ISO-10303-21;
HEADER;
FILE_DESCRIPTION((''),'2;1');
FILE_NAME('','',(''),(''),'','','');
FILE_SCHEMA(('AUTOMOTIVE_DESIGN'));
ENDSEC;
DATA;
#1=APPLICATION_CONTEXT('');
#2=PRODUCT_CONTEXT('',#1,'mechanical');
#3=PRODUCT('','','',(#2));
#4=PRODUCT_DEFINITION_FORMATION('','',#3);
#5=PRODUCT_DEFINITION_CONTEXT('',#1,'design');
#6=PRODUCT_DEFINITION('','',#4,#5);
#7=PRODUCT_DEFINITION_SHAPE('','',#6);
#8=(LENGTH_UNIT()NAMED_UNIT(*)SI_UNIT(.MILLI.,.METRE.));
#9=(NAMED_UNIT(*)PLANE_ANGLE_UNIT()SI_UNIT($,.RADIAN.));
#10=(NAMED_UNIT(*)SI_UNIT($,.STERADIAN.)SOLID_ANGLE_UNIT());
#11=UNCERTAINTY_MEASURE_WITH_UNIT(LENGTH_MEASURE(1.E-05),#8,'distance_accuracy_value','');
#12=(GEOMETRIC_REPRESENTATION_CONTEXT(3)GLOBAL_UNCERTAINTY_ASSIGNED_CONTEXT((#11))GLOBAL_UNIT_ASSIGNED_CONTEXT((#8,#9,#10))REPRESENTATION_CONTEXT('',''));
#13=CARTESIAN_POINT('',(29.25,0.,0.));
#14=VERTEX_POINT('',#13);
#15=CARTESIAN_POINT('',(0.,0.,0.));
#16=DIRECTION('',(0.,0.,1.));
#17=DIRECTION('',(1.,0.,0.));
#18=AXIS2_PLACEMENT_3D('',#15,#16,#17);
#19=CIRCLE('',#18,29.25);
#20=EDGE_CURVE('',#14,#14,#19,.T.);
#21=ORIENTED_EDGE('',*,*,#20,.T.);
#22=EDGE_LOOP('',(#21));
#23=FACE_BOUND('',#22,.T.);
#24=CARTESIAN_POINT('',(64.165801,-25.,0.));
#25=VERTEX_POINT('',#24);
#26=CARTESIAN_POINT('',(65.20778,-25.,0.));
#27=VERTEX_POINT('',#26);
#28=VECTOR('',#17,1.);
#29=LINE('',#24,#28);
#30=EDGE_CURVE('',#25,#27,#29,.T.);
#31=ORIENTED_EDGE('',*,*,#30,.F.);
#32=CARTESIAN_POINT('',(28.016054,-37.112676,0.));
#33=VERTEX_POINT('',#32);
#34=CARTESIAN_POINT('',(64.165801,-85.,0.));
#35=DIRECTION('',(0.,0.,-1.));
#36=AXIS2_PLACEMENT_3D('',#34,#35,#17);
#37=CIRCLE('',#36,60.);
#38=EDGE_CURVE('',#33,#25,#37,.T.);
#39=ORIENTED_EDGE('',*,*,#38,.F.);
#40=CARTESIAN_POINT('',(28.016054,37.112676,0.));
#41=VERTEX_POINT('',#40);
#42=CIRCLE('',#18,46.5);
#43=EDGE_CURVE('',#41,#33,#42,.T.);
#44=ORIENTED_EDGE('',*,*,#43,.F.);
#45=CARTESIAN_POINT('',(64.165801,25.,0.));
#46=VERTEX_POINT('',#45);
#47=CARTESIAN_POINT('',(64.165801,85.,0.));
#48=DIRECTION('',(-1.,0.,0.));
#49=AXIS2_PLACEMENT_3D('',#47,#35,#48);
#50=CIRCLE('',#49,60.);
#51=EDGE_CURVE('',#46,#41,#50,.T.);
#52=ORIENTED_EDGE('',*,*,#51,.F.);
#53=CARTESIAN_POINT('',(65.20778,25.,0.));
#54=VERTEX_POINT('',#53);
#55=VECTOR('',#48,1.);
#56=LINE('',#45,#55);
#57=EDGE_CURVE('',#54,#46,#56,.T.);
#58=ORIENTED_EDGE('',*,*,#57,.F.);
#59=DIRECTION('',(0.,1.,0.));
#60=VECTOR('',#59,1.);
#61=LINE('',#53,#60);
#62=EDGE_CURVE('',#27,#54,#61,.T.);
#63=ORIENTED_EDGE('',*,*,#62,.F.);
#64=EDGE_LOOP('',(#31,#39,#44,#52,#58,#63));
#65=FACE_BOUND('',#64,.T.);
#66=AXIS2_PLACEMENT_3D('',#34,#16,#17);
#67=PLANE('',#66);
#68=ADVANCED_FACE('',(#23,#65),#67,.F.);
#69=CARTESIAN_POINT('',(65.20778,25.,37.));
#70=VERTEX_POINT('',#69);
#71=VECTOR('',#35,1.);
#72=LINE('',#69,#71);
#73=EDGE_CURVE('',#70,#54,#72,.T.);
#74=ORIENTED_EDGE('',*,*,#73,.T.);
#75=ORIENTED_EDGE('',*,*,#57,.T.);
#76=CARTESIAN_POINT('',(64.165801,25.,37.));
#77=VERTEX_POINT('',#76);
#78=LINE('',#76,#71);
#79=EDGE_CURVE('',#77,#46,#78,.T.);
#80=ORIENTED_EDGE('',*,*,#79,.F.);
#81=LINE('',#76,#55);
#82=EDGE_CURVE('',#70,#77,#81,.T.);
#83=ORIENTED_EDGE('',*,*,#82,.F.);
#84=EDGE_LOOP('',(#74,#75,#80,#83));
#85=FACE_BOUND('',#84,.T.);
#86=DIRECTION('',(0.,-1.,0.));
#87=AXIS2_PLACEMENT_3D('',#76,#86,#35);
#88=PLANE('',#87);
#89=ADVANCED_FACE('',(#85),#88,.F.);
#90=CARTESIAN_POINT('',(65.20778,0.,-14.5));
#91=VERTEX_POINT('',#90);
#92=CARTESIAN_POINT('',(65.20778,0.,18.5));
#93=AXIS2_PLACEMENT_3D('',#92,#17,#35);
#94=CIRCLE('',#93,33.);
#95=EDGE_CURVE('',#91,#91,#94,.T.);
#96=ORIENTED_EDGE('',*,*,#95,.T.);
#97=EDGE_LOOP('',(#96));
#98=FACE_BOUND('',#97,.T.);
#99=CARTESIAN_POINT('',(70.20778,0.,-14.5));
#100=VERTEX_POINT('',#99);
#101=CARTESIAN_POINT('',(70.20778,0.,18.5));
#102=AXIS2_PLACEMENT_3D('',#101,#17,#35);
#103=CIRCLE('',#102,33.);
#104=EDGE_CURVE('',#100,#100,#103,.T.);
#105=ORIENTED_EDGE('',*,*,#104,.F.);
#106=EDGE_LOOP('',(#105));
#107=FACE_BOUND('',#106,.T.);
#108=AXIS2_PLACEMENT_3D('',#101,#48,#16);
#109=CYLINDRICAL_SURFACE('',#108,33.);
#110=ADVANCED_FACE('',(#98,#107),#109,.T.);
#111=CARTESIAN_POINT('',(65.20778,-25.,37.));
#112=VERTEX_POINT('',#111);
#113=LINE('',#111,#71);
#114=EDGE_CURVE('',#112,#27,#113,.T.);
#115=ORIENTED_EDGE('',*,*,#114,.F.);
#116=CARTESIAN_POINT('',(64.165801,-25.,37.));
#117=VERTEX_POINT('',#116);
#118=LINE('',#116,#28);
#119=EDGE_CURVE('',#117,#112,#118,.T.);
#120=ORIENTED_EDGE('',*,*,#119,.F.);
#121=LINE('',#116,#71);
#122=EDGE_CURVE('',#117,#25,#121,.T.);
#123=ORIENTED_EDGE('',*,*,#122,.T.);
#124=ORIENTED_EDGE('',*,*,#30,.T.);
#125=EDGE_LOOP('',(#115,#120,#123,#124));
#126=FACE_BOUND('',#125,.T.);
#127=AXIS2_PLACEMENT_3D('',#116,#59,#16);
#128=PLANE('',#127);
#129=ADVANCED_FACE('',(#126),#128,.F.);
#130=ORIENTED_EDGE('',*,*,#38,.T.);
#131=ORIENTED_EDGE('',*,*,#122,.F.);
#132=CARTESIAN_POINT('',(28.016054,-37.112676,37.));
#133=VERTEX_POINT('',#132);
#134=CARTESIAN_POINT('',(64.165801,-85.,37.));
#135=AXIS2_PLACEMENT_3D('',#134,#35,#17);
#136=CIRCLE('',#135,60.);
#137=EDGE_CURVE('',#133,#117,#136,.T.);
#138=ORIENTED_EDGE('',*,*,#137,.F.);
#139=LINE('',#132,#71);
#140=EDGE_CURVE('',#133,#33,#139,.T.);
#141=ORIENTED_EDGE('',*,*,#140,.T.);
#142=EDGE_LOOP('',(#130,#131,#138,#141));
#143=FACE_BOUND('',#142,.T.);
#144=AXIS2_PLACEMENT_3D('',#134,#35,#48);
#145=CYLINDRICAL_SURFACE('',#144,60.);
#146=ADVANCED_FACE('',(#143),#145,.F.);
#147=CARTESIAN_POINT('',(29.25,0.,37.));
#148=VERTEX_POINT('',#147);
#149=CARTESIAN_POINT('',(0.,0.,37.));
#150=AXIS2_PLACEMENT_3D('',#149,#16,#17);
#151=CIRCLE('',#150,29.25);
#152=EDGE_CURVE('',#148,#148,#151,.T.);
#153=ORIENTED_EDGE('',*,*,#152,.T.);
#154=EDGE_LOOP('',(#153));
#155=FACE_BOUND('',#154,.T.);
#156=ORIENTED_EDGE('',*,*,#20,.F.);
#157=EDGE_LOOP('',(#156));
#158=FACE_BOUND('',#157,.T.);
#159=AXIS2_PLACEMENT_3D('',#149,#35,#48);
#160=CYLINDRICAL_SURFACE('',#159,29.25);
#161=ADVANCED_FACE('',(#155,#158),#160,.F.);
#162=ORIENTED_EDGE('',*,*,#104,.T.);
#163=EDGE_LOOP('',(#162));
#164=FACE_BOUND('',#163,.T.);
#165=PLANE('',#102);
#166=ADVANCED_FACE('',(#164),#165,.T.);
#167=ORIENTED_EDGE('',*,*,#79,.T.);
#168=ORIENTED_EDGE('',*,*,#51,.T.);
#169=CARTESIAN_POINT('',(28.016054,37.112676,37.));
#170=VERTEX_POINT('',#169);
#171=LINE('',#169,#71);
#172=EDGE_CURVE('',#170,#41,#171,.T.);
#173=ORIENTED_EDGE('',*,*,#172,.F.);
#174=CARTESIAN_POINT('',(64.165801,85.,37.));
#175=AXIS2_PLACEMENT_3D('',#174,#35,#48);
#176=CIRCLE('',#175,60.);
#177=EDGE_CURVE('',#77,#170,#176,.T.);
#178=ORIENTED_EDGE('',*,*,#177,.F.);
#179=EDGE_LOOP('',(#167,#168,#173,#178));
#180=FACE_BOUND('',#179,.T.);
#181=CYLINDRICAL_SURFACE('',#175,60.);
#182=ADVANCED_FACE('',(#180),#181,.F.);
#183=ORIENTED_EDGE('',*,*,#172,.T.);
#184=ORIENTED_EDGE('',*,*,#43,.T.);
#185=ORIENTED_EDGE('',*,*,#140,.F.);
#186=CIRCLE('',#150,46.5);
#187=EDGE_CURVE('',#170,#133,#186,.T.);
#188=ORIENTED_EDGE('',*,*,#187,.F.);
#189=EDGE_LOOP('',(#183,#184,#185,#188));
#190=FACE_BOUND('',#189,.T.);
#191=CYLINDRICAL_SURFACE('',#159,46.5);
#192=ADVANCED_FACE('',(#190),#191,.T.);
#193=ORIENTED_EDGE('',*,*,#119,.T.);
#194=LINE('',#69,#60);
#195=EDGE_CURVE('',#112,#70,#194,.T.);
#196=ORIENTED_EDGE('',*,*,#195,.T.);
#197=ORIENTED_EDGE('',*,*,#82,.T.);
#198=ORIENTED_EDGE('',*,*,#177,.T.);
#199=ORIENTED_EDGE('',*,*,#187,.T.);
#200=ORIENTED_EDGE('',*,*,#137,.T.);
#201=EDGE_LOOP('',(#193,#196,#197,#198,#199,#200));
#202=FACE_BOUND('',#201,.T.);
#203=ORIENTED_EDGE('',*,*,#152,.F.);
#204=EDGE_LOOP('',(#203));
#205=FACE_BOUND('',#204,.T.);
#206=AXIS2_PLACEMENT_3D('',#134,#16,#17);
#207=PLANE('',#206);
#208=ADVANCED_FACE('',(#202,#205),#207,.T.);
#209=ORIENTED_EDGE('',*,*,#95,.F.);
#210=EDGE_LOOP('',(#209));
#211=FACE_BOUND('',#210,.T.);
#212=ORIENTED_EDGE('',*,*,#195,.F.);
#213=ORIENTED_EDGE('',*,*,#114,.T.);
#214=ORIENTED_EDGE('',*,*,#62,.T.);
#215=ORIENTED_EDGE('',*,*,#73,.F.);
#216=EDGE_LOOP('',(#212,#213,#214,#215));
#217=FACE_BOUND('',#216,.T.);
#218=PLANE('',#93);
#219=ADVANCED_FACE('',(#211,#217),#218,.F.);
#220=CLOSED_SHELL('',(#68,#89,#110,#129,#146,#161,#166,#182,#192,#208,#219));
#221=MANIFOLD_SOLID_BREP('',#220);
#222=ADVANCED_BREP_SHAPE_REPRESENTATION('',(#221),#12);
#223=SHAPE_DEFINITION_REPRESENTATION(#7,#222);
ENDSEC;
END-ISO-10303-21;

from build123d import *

# Parameters (mm, degrees)
SKETCH1_R           = 29.25
BOSS_EXTRUDE1_DEPTH = 37
SKETCH2_R           = 33
BOSS_EXTRUDE2_DEPTH = 5


with BuildPart() as part:
    # Sketch1 → Boss-Extrude1 (new body)
    with BuildSketch(Plane.XY):
        with BuildLine():
            Line((64.16580086, 25), (65.20777984, 25))
            Line((65.20777984, 25), (65.20777984, -25))
            Line((65.20777984, -25), (64.16580086, -25))
            ThreePointArc((64.16580086, -25), (45.103264783, -28.108702614), (28.016053897, -37.112676056))
            ThreePointArc((28.016053897, -37.112676056), (-46.5, 0), (28.016053897, 37.112676056))
            ThreePointArc((28.016053897, 37.112676056), (45.103264783, 28.108702614), (64.16580086, 25))
        make_face()
        Circle(SKETCH1_R, mode=Mode.SUBTRACT)
    extrude(amount=BOSS_EXTRUDE1_DEPTH)

    # Sketch2 → Boss-Extrude2 (add)
    with BuildSketch(Plane(origin=(65.20777984, 0, 0), x_dir=(0, 0, -1), z_dir=(1, 0, 0))):
        with Locations((-18.5, 0)):
            Circle(SKETCH2_R)
    extrude(amount=BOSS_EXTRUDE2_DEPTH)


solid = part.part
